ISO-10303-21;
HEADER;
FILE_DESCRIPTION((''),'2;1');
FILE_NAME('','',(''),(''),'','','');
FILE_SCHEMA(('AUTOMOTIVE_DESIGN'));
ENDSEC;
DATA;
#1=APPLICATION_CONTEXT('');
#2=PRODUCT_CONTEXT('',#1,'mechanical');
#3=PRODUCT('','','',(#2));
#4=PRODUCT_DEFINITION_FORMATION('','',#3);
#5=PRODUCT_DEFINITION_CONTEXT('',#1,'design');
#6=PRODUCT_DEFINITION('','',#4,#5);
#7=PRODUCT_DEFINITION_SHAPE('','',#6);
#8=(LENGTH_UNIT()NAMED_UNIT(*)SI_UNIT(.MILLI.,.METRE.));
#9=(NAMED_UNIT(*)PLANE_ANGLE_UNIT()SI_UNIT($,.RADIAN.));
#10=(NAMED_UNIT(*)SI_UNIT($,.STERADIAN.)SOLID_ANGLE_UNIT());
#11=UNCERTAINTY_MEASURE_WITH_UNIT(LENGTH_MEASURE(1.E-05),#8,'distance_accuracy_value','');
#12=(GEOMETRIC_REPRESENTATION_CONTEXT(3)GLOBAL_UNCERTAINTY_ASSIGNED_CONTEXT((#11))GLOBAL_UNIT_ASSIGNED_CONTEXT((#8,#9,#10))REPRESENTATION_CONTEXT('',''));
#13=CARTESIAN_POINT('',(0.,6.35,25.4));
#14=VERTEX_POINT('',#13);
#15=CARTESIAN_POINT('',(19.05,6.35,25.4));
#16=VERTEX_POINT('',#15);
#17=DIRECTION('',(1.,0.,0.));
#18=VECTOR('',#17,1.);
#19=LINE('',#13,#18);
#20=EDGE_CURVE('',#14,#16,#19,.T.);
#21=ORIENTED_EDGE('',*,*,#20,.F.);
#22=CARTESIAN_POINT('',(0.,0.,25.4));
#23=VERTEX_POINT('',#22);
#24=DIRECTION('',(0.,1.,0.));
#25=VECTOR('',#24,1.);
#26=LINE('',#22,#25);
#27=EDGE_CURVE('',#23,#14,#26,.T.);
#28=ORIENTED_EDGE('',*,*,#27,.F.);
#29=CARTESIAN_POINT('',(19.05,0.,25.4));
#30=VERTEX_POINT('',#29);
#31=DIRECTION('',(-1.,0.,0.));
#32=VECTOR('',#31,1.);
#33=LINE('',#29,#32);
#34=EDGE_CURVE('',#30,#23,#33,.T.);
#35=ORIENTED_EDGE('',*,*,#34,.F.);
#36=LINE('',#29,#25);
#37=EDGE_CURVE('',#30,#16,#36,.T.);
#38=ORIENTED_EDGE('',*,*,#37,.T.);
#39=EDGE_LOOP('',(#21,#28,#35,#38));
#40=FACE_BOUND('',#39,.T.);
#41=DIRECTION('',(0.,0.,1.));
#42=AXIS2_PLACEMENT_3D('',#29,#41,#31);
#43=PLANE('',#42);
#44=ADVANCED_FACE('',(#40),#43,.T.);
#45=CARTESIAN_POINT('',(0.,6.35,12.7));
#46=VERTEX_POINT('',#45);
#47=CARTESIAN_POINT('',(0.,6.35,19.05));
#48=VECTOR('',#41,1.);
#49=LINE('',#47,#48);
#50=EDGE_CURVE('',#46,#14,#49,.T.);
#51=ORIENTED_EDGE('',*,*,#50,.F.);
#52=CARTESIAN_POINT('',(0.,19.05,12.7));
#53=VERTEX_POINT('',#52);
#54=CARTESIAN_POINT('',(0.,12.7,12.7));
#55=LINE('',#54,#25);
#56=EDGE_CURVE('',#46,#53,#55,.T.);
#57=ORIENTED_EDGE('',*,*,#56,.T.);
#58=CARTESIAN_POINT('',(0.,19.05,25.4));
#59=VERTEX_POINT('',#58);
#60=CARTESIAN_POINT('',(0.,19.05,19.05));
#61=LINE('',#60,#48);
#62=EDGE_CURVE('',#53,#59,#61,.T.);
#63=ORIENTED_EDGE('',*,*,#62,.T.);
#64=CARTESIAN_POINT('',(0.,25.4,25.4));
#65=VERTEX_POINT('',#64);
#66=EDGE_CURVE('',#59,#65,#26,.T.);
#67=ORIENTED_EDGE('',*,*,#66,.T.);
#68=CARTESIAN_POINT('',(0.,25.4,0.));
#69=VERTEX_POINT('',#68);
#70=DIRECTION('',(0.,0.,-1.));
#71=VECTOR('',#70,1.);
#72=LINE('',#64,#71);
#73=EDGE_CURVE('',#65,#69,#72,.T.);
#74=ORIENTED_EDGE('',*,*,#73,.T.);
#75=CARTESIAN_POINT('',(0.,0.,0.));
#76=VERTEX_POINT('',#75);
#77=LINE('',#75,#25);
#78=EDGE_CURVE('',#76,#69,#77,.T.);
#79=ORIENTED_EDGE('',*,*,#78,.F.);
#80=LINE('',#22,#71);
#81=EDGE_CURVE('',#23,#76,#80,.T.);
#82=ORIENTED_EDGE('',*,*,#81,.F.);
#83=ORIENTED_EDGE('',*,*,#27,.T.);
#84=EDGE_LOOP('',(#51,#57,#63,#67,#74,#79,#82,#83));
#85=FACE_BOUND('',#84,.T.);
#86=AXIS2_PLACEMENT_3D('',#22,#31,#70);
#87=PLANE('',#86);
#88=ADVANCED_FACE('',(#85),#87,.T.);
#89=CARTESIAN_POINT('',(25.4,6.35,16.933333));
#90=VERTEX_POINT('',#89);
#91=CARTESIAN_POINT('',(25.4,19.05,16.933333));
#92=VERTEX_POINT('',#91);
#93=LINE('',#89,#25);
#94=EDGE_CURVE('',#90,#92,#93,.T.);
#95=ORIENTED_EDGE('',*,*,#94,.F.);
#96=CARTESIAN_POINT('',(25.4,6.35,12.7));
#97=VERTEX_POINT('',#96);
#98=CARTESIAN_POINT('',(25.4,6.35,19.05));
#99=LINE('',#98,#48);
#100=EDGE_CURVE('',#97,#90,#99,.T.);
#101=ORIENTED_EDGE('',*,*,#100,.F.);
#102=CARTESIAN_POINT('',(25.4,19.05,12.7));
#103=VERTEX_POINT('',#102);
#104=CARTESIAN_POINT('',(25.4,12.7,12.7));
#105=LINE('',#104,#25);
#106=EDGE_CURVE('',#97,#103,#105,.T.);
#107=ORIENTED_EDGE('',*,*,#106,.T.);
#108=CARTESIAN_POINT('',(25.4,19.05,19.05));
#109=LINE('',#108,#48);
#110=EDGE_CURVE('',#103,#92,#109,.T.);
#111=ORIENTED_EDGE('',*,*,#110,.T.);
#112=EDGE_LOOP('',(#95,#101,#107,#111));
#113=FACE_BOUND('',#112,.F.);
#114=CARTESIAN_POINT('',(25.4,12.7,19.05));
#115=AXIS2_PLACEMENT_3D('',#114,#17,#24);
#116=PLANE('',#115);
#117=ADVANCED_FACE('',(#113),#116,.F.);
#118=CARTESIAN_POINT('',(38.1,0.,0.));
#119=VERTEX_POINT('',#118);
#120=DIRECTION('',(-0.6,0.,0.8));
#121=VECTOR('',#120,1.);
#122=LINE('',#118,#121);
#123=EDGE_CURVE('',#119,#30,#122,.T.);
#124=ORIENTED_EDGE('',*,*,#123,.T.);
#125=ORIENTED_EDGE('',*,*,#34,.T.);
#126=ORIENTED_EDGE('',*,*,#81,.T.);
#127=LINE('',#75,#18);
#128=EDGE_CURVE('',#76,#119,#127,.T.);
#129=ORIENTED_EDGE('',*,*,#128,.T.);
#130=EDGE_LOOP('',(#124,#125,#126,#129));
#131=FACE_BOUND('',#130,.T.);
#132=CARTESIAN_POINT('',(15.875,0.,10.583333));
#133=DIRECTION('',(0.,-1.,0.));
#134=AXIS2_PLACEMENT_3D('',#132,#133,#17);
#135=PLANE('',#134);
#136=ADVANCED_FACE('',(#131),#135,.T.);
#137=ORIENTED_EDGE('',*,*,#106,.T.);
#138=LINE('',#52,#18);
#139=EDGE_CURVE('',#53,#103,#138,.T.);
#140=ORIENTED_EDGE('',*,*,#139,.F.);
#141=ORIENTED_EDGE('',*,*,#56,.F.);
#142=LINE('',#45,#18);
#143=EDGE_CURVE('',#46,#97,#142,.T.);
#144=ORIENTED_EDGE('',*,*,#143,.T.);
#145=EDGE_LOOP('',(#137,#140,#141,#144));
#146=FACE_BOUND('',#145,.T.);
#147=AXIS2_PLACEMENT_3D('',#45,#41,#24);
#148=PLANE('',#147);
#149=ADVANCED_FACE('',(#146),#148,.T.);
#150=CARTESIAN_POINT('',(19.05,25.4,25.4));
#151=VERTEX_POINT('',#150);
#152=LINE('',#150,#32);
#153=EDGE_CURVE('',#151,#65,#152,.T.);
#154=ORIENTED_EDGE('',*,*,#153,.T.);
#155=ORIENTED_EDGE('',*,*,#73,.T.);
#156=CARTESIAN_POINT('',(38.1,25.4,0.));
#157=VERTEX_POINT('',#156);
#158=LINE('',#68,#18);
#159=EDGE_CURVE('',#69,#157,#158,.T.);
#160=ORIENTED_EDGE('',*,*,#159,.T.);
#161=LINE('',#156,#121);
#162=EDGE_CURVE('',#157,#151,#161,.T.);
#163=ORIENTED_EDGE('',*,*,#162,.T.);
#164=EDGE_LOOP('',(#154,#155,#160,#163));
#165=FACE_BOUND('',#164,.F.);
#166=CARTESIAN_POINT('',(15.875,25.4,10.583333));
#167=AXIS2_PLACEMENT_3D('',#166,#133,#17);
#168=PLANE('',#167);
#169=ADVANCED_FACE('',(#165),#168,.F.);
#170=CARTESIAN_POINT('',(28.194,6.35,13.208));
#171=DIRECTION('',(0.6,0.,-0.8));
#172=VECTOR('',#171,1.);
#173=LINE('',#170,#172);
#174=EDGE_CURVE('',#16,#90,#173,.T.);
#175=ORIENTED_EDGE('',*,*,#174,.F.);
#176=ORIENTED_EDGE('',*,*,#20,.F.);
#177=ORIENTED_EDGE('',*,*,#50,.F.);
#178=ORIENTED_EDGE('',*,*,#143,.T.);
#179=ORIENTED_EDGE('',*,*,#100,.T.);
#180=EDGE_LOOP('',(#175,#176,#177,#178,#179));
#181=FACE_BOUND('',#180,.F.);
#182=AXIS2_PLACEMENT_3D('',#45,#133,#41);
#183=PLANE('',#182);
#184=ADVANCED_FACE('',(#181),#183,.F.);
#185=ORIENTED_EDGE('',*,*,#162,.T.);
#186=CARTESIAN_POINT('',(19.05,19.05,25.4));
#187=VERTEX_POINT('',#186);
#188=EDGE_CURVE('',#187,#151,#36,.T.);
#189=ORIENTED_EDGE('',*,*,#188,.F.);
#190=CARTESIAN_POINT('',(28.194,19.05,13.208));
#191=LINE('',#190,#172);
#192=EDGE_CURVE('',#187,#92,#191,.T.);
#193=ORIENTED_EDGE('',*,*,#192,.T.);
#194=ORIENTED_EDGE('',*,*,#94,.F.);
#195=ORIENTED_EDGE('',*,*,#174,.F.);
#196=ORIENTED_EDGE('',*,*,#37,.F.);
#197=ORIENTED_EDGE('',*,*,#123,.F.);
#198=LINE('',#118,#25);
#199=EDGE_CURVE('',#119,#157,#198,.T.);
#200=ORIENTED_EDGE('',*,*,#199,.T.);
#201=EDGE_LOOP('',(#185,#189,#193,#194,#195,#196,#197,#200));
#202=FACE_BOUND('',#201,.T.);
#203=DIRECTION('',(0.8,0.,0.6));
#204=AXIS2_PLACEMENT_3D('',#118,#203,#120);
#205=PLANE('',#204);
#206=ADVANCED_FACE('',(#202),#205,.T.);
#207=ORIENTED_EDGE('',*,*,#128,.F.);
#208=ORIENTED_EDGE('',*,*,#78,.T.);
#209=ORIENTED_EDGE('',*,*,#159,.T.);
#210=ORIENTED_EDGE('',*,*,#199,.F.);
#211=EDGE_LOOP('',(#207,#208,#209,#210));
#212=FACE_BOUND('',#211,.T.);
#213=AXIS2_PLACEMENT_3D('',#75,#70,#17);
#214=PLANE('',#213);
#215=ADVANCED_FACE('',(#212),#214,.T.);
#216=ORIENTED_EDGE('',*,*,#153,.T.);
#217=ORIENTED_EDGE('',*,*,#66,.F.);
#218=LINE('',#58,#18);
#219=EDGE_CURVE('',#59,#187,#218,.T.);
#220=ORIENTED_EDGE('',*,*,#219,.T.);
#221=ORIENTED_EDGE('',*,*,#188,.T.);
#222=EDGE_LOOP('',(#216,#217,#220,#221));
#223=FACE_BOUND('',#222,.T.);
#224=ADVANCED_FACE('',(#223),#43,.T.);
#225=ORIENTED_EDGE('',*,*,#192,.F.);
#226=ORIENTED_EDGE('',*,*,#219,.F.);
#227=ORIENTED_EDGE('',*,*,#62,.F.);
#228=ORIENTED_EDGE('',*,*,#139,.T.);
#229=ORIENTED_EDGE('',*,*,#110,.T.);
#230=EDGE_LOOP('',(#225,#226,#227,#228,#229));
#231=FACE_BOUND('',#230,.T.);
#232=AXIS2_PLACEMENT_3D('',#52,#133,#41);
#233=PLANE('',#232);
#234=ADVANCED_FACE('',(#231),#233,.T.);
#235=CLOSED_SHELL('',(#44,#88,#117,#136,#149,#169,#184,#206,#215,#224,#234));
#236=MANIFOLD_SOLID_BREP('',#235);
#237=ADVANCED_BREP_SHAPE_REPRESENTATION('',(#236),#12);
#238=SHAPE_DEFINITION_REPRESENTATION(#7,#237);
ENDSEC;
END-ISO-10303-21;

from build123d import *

# Parameters (mm, degrees)
F1_DEPTH = 25.4
F2_W     = 12.7
F2_H     = 12.7
F3_DEPTH = 25.4


with BuildPart() as f1:
    # F0 (on Front) → F1 (new body)
    with BuildSketch(Plane.XZ):
        Polygon((0, 25.4), (0, 0), (38.1, 0), (19.05, 25.4), align=None)
    extrude(amount=-F1_DEPTH)

    # F2 (on Right) → F3 (cut)
    with BuildSketch(Plane.YZ):
        with Locations((12.7, 19.05)):
            Rectangle(F2_W, F2_H)
    extrude(amount=F3_DEPTH, mode=Mode.SUBTRACT)


solid = f1.part
